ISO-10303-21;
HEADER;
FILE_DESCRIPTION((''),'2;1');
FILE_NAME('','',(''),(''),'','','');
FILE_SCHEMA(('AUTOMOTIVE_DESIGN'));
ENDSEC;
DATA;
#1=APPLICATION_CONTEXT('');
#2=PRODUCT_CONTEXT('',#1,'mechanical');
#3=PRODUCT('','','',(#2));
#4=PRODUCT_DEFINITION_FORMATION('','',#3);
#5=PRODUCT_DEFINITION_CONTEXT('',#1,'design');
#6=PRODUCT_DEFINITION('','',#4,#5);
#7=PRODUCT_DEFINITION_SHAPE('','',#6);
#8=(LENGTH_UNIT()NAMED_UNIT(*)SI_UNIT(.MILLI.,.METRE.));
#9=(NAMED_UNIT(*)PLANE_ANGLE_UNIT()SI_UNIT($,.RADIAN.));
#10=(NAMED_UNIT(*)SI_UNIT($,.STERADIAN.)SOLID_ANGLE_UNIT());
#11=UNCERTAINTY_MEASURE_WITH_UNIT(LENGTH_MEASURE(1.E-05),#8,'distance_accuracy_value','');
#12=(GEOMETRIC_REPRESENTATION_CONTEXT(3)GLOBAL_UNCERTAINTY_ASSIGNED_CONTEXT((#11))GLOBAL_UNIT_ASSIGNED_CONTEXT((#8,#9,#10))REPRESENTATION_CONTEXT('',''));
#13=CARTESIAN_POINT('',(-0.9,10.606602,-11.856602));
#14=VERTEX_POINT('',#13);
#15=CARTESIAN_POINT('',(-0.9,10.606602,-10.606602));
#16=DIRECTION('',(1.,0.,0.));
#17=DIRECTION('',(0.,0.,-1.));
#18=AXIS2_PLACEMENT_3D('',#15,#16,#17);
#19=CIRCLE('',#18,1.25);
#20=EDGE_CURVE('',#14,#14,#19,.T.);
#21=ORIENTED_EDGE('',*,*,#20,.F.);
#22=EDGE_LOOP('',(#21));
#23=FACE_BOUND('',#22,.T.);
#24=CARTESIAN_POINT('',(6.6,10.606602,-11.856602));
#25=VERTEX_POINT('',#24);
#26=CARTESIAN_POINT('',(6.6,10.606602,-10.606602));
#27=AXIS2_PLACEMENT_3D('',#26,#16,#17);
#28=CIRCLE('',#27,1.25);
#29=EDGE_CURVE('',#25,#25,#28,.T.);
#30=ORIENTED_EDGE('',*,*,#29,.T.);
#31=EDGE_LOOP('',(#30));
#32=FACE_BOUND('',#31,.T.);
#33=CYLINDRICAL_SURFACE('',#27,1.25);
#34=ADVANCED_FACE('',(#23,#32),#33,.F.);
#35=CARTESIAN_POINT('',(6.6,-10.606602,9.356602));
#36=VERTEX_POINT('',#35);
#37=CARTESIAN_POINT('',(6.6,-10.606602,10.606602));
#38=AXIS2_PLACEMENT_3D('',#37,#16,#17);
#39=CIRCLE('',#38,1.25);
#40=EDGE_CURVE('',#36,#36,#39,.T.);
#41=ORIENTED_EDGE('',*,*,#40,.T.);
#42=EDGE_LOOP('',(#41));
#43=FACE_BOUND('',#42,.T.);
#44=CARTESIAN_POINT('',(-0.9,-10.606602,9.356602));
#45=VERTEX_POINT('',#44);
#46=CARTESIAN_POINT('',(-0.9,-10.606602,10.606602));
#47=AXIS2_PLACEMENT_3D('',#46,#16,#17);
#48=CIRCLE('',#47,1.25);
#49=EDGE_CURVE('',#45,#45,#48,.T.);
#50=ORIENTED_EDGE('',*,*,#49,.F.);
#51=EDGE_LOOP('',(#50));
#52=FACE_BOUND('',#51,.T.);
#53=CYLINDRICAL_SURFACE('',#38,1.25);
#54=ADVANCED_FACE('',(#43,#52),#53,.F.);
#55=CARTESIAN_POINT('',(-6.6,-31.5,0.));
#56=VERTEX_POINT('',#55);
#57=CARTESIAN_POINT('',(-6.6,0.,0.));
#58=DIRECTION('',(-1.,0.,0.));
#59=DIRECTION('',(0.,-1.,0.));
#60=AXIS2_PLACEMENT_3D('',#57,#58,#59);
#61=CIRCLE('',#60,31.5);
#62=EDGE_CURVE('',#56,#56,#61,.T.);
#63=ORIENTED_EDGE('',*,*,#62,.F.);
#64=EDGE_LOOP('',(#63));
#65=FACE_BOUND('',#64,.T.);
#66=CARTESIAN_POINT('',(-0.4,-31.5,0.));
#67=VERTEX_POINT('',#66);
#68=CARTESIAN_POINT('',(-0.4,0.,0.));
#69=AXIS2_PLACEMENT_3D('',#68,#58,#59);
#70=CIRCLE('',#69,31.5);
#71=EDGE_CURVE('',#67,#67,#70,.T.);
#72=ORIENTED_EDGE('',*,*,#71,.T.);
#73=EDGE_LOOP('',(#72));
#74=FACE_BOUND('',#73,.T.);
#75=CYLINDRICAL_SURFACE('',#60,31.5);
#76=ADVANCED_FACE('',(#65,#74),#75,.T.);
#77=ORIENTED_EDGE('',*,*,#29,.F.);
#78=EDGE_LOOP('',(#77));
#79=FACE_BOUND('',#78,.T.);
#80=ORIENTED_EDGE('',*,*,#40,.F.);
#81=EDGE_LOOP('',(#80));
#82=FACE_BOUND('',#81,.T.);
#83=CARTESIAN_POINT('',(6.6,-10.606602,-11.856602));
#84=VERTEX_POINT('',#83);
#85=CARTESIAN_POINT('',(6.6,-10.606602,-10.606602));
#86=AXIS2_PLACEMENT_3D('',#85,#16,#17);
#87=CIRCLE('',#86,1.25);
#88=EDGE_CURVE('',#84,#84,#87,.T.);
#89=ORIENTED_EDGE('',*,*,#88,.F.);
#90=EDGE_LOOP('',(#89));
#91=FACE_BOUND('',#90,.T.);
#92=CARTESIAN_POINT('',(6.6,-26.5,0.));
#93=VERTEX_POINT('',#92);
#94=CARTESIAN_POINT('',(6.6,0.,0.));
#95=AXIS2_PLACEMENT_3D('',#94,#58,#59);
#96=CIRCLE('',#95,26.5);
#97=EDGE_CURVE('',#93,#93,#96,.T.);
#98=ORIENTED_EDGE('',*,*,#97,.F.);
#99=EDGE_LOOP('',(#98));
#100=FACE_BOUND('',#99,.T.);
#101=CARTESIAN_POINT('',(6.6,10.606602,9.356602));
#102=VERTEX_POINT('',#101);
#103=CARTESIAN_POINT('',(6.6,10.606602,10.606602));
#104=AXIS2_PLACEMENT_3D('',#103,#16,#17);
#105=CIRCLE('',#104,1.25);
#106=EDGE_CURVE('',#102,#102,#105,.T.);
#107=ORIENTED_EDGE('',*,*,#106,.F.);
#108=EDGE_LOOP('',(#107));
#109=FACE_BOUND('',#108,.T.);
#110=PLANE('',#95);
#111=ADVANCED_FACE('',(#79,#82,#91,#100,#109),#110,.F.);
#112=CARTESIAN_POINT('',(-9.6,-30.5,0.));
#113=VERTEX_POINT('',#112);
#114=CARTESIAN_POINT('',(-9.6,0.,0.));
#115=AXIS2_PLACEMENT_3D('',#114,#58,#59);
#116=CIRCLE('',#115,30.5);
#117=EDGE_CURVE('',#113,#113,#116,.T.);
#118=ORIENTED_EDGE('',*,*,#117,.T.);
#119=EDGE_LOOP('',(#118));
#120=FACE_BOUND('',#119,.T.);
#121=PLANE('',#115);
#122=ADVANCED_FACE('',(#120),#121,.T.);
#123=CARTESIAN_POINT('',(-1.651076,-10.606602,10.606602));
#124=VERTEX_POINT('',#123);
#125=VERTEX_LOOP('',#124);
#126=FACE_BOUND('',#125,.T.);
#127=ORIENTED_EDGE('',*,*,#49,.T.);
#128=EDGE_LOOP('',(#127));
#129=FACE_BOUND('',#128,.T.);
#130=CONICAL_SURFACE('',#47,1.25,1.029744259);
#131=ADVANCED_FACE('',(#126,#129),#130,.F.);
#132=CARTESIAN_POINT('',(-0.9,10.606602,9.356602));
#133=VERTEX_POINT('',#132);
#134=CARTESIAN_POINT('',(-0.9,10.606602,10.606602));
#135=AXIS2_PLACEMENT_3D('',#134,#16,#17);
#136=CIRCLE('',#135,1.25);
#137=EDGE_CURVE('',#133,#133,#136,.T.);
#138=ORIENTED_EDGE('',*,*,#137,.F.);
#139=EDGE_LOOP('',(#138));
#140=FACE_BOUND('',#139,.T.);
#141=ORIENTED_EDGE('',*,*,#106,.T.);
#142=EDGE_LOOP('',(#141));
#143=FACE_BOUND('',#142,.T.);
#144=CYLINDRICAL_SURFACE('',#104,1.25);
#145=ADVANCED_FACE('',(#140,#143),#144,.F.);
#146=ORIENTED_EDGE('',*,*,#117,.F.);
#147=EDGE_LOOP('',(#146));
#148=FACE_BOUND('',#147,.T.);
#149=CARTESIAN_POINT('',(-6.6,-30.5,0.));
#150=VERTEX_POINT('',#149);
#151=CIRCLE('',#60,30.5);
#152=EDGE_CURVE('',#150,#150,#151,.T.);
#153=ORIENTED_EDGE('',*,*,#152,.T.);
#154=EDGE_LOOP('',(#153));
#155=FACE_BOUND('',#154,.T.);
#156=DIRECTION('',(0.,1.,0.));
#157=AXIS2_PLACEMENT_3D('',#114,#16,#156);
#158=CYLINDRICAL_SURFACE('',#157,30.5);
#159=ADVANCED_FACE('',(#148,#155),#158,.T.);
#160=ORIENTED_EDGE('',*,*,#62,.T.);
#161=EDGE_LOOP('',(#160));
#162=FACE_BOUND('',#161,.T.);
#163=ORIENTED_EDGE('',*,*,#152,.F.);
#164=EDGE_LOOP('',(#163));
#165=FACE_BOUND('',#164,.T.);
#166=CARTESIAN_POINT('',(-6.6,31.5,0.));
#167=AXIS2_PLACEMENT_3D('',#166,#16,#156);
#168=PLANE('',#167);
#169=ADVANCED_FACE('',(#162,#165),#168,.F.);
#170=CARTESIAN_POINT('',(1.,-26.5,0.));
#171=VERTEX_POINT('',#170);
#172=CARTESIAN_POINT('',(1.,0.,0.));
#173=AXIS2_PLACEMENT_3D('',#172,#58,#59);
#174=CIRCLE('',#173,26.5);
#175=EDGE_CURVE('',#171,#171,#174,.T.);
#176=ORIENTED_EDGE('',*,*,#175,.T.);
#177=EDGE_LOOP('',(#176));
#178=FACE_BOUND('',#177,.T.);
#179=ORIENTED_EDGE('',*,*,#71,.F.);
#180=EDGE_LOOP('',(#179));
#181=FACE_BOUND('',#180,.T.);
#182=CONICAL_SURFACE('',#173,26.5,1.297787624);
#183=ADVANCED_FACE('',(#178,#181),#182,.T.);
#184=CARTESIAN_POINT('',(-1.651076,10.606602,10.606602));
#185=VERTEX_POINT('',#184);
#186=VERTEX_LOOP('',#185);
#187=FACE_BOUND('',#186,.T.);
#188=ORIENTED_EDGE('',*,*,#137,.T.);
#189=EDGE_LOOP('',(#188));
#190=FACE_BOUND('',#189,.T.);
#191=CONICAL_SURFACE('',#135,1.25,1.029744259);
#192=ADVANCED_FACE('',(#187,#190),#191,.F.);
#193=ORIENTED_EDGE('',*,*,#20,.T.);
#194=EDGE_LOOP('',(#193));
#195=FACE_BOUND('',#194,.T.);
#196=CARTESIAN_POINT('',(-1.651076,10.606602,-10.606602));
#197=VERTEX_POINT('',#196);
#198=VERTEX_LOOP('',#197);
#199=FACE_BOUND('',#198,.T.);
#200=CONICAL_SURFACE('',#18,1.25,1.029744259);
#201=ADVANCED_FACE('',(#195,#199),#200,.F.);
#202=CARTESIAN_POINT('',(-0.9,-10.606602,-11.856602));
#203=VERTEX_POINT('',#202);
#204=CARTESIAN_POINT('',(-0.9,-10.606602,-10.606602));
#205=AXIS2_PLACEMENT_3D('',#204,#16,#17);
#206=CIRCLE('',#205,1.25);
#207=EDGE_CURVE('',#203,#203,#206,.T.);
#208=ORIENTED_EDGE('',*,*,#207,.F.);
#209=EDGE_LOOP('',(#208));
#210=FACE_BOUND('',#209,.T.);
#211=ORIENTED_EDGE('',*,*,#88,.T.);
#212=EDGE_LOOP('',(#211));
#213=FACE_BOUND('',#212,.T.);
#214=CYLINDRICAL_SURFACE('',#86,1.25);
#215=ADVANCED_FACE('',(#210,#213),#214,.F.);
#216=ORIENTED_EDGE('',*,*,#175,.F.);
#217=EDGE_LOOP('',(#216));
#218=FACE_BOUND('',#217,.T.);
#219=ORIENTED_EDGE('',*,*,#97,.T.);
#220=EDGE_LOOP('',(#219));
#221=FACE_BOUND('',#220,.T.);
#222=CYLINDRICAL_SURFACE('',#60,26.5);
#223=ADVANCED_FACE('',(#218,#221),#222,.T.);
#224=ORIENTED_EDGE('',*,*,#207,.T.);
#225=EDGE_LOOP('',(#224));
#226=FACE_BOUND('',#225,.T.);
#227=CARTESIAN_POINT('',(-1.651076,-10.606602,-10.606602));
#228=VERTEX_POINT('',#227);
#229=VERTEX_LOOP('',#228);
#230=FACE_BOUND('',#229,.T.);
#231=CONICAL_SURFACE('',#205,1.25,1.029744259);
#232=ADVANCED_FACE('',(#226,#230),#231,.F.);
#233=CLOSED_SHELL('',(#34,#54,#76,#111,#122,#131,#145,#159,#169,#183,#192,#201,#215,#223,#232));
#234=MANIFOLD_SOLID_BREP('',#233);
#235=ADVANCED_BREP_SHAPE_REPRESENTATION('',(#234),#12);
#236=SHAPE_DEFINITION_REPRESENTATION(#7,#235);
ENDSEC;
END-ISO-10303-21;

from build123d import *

# Parameters (mm, degrees)
M3X0_5_TAPPED_HOLE1_D     = 2.5
M3X0_5_TAPPED_HOLE1_DEPTH = 7.5
M3X0_5_TAPPED_HOLE1_TIP   = 0.751075774
SKETCH5_R                 = 30.5
BOSS_EXTRUDE1_DEPTH       = 3


with BuildPart() as part:
    # Sketch1 → Revolve1 (revolve)
    with BuildSketch(Plane.XY, mode=Mode.PRIVATE) as revolve1_sk:
        Polygon((-6.6, 0), (6.6, 0), (6.6, 26.5), (1, 26.5), (-0.4, 31.5), (-6.6, 31.5), align=None)
    revolve(revolve1_sk.sketch.rotate(Axis((-6.6, 0, 0), (1, 0, 0)), 180), axis=Axis((-6.6, 0, 0), (1, 0, 0)))

    # M3x0.5 Tapped Hole1
    with Locations(Plane(origin=(6.6, 0, 0), x_dir=(0, 0, -1), z_dir=(1, 0, 0))):
        with Locations((-10.606601718, 10.606601718), (-10.606601718, -10.606601718), (10.606601718, -10.606601718), (10.606601718, 10.606601718)):
            Hole(M3X0_5_TAPPED_HOLE1_D / 2, depth=M3X0_5_TAPPED_HOLE1_DEPTH)
            with Locations((0, 0, -(M3X0_5_TAPPED_HOLE1_DEPTH + M3X0_5_TAPPED_HOLE1_TIP / 2))):  # 118° drill point
                Cone(0, M3X0_5_TAPPED_HOLE1_D / 2, M3X0_5_TAPPED_HOLE1_TIP, mode=Mode.SUBTRACT)

    # Sketch5 → Boss-Extrude1 (add)
    with BuildSketch(Plane.ZY.offset(6.6)):
        with Locations(Location((0, 0, 0), (0, 0, 270))):
            Circle(SKETCH5_R)
    extrude(amount=BOSS_EXTRUDE1_DEPTH)


solid = part.part
